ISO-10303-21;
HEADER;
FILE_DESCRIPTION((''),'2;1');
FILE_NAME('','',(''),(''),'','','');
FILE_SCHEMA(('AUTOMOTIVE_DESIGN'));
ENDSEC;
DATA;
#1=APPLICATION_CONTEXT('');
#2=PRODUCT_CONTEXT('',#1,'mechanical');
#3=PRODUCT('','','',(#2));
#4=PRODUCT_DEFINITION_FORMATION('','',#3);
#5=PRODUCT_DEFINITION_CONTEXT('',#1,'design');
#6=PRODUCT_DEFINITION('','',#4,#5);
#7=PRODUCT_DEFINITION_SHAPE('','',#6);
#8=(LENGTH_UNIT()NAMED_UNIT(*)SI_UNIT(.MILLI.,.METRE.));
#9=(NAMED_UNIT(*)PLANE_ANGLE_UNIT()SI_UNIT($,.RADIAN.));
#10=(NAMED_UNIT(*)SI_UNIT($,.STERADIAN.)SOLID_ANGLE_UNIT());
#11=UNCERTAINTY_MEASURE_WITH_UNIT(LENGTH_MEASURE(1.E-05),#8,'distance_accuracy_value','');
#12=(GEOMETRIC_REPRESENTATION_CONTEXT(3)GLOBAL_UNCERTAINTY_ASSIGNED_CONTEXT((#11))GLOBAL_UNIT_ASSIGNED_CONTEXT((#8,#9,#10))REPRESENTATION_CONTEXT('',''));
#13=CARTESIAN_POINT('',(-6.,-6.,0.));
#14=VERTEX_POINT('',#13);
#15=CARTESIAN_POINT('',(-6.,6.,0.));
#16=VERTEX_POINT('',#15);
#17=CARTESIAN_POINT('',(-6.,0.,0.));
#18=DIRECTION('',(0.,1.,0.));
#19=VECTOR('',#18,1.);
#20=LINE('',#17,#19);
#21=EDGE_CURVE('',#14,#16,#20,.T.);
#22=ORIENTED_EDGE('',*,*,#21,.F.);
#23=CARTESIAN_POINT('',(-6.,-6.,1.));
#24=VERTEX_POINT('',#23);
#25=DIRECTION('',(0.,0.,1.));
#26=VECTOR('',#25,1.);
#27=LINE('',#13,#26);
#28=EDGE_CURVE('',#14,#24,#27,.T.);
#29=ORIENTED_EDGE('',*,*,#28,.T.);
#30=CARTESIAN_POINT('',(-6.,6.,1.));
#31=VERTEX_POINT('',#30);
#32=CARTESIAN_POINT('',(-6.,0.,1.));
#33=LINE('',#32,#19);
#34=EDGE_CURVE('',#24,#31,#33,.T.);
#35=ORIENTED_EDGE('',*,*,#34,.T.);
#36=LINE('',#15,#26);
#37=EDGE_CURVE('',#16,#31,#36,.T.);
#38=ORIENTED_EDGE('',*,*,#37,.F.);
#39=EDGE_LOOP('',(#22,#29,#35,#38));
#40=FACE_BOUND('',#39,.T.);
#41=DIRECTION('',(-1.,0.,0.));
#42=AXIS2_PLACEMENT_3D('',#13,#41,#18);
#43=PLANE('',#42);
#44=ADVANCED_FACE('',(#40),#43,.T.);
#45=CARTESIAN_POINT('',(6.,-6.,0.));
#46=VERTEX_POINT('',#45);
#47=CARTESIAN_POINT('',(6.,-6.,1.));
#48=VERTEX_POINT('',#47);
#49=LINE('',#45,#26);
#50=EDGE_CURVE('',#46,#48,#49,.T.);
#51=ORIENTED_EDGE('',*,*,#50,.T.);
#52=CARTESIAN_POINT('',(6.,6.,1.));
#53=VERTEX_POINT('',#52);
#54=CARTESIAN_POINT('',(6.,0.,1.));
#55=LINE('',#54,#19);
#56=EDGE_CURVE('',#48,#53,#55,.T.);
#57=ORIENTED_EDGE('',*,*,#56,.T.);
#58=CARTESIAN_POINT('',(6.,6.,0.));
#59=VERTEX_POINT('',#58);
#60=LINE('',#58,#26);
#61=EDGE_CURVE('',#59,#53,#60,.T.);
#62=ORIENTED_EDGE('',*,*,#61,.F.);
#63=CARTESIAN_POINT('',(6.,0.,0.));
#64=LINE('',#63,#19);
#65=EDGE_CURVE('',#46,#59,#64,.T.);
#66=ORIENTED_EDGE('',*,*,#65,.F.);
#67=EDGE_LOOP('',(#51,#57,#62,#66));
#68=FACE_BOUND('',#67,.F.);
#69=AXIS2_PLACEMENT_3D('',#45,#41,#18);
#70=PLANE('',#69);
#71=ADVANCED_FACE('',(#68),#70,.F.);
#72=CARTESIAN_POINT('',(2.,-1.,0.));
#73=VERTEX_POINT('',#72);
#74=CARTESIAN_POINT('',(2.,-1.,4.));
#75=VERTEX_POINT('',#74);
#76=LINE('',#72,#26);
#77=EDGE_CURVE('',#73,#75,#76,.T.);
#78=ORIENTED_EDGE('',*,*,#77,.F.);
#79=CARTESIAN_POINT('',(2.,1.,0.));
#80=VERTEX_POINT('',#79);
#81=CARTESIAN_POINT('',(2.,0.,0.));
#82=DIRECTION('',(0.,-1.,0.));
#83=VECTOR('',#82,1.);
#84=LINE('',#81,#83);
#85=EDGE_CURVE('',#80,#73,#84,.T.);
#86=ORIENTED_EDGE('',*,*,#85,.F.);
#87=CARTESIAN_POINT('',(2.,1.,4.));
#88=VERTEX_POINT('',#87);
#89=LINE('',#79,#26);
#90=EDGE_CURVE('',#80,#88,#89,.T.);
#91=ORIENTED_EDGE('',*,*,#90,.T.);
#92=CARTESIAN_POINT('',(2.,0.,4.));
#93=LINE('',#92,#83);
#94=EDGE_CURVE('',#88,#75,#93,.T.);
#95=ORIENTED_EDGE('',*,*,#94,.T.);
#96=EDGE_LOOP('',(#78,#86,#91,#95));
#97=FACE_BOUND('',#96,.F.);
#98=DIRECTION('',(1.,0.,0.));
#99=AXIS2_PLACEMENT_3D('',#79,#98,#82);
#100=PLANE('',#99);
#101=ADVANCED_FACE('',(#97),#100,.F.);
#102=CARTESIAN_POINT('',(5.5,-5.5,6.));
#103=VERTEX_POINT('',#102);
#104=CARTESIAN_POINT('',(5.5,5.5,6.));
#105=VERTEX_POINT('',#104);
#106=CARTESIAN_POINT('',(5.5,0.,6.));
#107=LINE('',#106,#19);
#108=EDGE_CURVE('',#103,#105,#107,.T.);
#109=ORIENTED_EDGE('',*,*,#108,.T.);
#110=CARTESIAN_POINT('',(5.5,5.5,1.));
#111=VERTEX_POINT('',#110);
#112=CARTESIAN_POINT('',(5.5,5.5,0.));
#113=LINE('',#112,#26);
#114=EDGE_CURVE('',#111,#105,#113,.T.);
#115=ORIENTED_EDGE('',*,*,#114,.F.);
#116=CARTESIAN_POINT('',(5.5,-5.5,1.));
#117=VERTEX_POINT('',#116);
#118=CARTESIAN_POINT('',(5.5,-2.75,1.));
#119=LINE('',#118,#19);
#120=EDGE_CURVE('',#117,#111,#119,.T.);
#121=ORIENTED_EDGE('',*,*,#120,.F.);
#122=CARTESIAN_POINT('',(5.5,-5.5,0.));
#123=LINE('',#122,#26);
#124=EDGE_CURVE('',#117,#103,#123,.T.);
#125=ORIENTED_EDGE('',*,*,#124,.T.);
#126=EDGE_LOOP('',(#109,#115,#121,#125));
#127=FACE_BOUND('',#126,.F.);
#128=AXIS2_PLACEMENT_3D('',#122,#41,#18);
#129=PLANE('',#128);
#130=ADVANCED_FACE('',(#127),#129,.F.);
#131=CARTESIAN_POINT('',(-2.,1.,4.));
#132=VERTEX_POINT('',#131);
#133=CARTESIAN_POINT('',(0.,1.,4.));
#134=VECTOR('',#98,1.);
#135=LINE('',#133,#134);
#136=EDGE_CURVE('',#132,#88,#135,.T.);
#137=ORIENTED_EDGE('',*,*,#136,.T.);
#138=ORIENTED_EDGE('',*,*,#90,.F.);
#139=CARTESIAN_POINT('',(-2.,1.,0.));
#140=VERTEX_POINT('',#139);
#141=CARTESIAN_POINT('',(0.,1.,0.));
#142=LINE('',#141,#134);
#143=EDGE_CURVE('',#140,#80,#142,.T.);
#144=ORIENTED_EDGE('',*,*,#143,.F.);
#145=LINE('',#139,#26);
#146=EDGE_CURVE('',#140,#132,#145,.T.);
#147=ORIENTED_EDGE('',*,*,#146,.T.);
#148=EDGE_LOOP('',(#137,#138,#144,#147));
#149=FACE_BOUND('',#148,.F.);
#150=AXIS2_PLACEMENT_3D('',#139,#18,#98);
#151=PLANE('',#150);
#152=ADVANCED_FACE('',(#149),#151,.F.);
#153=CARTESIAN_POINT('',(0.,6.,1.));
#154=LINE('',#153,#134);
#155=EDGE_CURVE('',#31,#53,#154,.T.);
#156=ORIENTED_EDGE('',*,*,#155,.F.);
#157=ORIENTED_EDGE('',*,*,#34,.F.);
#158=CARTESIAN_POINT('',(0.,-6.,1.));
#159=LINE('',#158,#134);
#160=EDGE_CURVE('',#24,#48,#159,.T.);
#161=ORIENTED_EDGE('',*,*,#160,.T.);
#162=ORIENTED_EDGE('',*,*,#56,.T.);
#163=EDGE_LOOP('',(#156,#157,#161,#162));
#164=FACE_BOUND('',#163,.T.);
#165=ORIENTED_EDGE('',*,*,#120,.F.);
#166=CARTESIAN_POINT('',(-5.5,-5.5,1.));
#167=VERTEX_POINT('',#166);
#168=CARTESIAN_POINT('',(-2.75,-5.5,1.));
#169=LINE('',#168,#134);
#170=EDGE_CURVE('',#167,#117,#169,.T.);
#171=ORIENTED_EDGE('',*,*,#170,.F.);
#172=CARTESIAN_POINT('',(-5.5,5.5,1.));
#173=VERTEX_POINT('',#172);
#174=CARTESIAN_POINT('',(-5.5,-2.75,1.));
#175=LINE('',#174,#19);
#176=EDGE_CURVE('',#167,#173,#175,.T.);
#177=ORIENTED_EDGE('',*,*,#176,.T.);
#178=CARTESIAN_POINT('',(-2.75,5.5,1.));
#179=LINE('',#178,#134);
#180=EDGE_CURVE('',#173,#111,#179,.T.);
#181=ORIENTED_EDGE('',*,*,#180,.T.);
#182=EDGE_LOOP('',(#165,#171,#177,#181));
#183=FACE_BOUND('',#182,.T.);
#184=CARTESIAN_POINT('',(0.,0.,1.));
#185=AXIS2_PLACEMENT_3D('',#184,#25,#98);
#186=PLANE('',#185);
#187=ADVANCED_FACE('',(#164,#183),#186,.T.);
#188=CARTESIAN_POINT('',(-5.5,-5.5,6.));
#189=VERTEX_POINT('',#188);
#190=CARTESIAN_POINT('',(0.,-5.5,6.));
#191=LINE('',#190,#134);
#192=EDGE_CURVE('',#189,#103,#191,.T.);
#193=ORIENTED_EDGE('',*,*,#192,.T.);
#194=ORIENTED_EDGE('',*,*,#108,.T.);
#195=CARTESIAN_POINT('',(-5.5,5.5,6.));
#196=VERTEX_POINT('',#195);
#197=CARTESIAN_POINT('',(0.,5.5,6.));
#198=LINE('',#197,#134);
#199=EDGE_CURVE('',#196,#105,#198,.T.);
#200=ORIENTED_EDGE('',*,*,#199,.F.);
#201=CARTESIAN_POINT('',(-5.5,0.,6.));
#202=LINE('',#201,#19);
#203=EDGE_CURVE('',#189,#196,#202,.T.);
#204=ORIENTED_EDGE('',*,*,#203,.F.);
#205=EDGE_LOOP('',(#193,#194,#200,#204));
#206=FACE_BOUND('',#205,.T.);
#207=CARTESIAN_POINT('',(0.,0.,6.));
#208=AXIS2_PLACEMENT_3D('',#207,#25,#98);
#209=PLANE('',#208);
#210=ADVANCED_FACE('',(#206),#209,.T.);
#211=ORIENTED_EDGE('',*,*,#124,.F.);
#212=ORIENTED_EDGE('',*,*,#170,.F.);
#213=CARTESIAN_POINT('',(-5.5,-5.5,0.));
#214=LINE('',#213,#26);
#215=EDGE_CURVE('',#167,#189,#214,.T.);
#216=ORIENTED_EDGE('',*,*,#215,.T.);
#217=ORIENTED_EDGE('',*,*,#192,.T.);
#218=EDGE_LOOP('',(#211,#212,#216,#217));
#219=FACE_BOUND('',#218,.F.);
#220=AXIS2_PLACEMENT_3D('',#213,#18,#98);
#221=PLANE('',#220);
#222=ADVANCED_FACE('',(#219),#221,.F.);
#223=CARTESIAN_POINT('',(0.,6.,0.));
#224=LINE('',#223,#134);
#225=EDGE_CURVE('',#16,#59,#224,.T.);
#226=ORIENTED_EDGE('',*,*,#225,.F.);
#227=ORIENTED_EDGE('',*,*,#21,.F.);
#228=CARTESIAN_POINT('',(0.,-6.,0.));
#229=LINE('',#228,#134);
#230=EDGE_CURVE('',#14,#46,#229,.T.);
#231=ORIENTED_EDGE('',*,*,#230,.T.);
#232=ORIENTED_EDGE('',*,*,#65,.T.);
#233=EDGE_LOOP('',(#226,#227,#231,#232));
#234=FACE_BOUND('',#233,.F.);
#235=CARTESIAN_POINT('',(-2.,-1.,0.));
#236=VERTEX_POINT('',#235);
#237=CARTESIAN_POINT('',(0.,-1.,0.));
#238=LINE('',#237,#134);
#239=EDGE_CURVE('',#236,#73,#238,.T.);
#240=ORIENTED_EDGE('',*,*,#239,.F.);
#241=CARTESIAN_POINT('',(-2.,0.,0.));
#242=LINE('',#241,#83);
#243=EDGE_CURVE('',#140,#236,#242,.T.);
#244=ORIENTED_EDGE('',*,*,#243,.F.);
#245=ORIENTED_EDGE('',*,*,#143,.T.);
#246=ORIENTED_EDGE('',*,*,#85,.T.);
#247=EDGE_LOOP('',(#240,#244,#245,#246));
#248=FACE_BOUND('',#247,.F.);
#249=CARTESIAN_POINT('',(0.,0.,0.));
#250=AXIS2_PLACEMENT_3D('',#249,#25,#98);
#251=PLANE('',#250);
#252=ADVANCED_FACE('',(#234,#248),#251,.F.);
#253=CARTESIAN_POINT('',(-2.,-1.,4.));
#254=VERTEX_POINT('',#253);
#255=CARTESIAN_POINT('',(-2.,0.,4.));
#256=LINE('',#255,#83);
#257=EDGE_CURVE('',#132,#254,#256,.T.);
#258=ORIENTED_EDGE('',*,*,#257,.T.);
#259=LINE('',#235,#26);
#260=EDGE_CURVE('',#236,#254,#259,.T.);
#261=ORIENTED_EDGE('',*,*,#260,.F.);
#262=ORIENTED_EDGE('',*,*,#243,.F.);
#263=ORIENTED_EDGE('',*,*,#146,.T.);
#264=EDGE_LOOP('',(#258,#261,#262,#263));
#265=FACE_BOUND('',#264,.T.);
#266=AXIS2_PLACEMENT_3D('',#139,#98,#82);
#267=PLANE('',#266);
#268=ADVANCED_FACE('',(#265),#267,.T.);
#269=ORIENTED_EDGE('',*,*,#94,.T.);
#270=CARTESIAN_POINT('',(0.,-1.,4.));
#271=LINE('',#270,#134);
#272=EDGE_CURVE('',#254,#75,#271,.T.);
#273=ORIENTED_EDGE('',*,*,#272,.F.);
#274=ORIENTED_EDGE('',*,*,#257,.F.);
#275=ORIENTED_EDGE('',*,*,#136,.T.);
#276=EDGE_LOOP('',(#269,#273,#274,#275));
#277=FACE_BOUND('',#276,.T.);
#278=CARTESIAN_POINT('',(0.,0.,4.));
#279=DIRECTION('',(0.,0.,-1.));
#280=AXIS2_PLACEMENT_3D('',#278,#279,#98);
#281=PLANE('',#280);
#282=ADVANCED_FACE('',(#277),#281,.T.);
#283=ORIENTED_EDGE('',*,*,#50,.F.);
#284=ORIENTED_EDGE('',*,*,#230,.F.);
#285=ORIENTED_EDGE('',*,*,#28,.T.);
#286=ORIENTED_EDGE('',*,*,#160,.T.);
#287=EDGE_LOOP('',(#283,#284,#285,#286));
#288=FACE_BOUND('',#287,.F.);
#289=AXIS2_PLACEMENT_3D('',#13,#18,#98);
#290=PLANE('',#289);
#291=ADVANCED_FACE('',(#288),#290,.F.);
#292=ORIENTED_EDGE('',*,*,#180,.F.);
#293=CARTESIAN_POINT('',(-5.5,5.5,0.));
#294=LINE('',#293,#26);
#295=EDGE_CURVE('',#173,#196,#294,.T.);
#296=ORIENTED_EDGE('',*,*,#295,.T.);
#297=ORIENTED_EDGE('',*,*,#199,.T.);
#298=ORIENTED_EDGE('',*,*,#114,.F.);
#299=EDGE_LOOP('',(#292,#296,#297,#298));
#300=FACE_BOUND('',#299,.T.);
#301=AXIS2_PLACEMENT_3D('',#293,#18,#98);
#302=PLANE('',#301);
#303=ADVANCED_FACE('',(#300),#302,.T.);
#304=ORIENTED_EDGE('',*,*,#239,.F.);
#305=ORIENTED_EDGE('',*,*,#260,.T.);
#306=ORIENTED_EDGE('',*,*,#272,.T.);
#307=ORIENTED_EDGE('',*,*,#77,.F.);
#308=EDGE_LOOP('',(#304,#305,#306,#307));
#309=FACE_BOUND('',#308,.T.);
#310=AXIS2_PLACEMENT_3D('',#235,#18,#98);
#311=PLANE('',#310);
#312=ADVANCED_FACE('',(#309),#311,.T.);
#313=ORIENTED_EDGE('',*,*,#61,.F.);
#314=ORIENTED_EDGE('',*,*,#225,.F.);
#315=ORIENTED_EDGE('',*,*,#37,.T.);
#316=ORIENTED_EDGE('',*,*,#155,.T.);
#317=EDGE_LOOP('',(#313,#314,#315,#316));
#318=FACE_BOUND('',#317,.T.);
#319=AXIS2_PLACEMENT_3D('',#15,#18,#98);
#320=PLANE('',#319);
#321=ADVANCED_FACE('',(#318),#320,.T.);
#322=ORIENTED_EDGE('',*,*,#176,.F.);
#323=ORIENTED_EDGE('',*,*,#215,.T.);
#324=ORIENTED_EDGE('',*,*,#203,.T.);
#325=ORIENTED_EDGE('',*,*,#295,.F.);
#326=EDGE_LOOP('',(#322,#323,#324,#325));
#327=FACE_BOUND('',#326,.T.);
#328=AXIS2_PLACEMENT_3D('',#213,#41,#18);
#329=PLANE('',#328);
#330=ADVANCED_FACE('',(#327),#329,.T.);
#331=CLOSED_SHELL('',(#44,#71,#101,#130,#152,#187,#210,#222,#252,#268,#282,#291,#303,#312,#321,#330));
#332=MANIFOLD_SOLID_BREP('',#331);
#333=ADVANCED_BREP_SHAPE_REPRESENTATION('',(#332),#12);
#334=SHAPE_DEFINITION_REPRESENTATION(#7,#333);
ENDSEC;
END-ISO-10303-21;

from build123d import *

# Parameters (mm, degrees)
F1_W     = 11
F1_H     = 11
F2_DEPTH = 6
F0_W     = 12
F0_H     = 12
F3_DEPTH = 1
F4_W     = 4
F4_H     = 2
F5_DEPTH = 4


with BuildPart() as f2:
    # F1 (on face) → F2 (new body)
    with BuildSketch(Plane.XY):
        Rectangle(F1_W, F1_H)
    extrude(amount=F2_DEPTH)

    # F0 (on Top) → F3 (join)
    with BuildSketch(Plane.XY):
        Rectangle(F0_W, F0_H)
    extrude(amount=F3_DEPTH)

    # F4 (on face) → F5 (cut)
    with BuildSketch(Plane(origin=(0, 0, 0), x_dir=(1, 0, 0), z_dir=(0, 0, -1))):
        Rectangle(F4_W, F4_H)
    extrude(amount=-F5_DEPTH, mode=Mode.SUBTRACT)


solid = f2.part
